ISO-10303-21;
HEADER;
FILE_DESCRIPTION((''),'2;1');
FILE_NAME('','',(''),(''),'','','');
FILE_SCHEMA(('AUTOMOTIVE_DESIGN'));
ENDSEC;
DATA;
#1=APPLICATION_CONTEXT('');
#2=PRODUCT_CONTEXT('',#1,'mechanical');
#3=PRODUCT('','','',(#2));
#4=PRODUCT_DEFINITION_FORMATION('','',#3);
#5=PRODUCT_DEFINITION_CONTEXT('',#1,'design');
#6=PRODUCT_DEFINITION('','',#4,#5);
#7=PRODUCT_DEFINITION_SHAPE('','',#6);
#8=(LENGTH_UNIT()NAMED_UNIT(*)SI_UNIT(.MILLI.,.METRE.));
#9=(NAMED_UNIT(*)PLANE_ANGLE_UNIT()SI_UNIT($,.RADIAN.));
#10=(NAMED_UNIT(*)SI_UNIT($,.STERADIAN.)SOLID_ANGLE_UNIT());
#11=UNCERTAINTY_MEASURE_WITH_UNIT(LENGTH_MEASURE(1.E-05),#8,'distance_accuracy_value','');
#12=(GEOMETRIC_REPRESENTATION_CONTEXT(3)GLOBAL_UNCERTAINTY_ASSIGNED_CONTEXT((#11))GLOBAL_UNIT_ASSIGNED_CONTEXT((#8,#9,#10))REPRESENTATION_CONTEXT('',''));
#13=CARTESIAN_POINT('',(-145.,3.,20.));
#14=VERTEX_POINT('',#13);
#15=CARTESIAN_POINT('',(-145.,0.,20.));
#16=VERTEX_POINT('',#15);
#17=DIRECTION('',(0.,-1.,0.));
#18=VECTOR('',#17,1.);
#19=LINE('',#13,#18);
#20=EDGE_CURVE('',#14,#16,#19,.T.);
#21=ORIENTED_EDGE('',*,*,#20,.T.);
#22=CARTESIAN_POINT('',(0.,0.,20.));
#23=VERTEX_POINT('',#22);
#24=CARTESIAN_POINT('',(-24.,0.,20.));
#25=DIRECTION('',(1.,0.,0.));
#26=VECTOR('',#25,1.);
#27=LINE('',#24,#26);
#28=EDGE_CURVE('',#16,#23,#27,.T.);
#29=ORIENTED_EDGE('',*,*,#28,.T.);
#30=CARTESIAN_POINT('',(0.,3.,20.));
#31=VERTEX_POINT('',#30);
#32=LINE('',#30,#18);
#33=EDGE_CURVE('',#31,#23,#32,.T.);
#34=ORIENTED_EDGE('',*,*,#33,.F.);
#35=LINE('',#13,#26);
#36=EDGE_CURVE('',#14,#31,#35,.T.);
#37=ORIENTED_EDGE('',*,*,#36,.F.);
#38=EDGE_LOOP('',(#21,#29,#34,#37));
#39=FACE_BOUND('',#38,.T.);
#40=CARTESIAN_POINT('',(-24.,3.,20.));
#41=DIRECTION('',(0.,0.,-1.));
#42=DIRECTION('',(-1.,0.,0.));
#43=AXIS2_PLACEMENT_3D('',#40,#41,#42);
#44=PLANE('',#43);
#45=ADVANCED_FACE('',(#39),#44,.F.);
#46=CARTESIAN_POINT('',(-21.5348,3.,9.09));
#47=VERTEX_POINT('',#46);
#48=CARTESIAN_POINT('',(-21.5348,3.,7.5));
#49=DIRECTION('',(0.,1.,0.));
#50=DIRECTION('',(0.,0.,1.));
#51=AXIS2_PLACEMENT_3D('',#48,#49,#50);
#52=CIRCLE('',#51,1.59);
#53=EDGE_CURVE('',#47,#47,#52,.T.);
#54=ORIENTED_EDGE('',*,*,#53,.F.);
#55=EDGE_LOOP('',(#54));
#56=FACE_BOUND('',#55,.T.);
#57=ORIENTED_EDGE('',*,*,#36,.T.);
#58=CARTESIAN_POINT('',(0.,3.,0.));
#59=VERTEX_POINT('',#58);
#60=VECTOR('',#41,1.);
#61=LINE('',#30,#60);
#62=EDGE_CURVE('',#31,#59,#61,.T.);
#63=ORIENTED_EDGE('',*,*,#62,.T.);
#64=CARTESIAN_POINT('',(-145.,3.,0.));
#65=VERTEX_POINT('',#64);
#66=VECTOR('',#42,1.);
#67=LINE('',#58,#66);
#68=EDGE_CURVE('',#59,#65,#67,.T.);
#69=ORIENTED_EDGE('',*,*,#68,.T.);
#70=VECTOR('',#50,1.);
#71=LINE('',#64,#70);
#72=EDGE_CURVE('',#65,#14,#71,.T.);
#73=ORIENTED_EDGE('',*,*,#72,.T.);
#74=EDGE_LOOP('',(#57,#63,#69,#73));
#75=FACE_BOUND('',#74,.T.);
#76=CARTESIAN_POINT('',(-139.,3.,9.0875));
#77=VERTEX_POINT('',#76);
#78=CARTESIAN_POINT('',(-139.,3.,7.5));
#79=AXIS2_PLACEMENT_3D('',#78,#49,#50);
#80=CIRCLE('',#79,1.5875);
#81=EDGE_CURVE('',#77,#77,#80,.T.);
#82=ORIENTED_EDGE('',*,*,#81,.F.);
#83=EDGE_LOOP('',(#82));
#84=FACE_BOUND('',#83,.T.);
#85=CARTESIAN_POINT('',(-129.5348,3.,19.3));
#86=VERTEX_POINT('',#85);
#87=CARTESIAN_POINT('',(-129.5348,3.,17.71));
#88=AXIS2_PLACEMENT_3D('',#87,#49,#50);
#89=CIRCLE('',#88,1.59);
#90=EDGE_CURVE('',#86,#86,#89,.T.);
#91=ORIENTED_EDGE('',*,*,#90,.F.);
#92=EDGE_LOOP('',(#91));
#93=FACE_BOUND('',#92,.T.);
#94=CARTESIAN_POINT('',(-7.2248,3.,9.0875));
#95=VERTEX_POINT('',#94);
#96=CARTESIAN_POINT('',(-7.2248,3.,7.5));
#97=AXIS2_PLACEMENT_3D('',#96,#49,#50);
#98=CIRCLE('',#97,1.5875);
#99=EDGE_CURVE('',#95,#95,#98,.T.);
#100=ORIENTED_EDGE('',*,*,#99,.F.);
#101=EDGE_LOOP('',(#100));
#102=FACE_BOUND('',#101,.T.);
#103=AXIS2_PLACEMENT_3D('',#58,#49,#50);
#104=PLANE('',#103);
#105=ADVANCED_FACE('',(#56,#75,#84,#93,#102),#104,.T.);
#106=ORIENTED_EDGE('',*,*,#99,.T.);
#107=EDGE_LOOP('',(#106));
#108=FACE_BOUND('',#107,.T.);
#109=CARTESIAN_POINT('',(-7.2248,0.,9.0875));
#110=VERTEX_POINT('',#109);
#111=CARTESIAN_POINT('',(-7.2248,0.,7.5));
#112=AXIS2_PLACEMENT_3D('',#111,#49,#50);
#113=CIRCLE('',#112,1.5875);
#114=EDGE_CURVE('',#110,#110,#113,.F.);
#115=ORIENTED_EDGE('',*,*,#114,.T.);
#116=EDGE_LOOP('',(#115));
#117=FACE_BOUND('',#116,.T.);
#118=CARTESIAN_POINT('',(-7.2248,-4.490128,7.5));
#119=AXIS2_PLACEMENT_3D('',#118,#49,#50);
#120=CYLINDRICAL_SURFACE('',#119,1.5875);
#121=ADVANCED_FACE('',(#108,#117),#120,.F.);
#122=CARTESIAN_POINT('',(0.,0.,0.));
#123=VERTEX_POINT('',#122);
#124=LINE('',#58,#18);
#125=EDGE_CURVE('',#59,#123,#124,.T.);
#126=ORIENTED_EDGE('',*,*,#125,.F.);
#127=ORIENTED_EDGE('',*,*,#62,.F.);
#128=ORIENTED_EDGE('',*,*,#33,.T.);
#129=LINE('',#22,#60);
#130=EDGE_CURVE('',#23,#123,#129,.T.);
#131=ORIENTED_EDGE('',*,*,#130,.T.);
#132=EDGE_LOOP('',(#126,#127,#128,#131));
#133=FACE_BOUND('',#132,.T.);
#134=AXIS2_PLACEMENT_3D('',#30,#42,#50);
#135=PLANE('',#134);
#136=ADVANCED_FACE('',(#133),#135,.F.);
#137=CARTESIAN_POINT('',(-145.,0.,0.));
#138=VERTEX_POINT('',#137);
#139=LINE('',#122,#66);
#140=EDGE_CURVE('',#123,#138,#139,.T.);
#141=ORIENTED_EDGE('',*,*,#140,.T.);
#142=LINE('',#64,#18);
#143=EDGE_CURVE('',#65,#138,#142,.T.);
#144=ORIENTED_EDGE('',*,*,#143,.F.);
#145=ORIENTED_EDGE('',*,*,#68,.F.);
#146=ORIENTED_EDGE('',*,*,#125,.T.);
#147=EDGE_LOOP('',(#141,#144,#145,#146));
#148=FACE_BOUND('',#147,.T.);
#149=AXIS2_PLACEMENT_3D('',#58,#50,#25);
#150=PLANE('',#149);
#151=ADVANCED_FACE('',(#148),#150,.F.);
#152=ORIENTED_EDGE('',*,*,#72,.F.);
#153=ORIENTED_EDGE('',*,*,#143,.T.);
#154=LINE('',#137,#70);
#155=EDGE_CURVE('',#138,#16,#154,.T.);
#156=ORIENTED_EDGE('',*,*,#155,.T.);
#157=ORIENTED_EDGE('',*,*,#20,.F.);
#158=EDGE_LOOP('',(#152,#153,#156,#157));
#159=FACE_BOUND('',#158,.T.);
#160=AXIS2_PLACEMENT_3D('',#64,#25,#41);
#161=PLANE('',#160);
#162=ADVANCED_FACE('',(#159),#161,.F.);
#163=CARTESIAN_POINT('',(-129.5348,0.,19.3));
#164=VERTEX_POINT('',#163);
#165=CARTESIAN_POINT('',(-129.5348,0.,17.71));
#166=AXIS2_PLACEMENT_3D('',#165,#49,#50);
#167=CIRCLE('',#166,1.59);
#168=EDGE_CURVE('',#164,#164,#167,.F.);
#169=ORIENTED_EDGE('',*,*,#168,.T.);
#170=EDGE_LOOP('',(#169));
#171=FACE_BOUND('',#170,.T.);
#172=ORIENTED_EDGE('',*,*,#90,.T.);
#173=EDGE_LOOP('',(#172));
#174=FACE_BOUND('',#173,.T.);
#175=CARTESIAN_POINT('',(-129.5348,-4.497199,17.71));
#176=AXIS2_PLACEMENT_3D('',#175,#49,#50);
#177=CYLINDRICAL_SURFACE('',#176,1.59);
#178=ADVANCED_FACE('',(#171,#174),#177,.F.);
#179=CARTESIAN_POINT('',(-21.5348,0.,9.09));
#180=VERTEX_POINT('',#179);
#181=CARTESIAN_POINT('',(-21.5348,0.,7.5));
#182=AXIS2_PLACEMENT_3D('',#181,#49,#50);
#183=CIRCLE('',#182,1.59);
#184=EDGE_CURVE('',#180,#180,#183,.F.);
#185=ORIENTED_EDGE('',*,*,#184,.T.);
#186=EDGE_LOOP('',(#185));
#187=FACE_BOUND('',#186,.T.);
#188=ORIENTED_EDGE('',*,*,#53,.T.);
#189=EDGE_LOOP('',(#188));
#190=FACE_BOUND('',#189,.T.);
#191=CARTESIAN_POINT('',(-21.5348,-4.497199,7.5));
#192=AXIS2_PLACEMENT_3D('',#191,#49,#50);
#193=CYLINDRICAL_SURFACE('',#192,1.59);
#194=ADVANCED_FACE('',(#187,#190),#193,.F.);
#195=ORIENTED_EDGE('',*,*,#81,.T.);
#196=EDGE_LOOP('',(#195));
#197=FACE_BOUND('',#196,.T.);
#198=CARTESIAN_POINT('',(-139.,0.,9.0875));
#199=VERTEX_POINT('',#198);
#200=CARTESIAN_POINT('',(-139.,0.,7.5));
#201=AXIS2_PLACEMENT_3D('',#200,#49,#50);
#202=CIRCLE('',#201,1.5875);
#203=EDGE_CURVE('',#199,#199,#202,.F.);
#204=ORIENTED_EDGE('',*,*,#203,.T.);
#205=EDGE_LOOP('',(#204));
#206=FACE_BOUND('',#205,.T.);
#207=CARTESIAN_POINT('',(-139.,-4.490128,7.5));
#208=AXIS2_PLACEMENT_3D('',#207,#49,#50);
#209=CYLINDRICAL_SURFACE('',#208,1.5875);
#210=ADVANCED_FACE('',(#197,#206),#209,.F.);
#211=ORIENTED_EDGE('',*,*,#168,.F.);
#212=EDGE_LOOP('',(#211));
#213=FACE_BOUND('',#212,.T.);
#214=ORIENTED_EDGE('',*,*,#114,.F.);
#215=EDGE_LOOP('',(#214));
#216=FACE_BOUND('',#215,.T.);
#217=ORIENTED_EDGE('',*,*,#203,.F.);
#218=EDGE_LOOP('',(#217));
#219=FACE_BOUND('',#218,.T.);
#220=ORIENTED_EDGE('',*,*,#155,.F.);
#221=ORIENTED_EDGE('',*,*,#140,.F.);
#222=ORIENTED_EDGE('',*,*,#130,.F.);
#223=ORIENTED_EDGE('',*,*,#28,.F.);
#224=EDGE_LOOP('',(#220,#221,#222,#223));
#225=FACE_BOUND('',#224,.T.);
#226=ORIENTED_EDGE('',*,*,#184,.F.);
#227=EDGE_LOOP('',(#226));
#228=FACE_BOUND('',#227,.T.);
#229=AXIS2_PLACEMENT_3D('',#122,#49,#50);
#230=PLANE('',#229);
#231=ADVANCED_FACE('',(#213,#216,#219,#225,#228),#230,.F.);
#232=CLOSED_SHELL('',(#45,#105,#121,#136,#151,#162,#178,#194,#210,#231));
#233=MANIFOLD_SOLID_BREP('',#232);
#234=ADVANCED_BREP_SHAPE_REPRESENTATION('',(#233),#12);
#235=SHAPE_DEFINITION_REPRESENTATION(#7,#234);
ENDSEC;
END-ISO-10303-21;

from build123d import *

# Parameters (mm, degrees)
EXTRUDE1_DEPTH = 3
SKETCH2_R      = 1.5875
EXTRUDE2_DEPTH = 3
SKETCH4_R      = 1.59
EXTRUDE3_DEPTH = 3
SKETCH5_R      = 1.59
EXTRUDE5_DEPTH = 3


with BuildPart() as part:
    # Sketch1 → Extrude1 (new body)
    with BuildSketch(Plane(origin=(0, 0, 0), x_dir=(1, 0, 0), z_dir=(0, 1, 0))):
        Polygon((0, 0), (-145, 0), (-145, -20), (-24, -20), (0, -20), align=None)
    extrude(amount=EXTRUDE1_DEPTH)

    # Sketch2 → Extrude2 (cut)
    with BuildSketch(Plane(origin=(0, 3, 0), x_dir=(1, 0, 0), z_dir=(0, 1, 0))):
        with Locations(Location((-139, -7.5, 0), (0, 0, 270))):
            Circle(SKETCH2_R)
        with Locations(Location((-7.2248, -7.5, 0), (0, 0, 270))):
            Circle(SKETCH2_R)
        with Locations((-7.2248, -99.358338)):
            Circle(SKETCH2_R)
    extrude(amount=-EXTRUDE2_DEPTH, mode=Mode.SUBTRACT)

    # Sketch4 → Extrude3 (cut)
    with BuildSketch(Plane(origin=(0, 3, 0), x_dir=(1, 0, 0), z_dir=(0, 1, 0))):
        with Locations(Location((-21.5348, -7.5, 0), (0, 0, 270))):
            Circle(SKETCH4_R)
    extrude(amount=-EXTRUDE3_DEPTH, mode=Mode.SUBTRACT)

    # Sketch5 → Extrude5 (cut)
    with BuildSketch(Plane(origin=(0, 3, 0), x_dir=(1, 0, 0), z_dir=(0, 1, 0))):
        with Locations(Location((-129.5348, -17.71, 0), (0, 0, 270))):
            Circle(SKETCH5_R)
    extrude(amount=-EXTRUDE5_DEPTH, mode=Mode.SUBTRACT)


solid = part.part
